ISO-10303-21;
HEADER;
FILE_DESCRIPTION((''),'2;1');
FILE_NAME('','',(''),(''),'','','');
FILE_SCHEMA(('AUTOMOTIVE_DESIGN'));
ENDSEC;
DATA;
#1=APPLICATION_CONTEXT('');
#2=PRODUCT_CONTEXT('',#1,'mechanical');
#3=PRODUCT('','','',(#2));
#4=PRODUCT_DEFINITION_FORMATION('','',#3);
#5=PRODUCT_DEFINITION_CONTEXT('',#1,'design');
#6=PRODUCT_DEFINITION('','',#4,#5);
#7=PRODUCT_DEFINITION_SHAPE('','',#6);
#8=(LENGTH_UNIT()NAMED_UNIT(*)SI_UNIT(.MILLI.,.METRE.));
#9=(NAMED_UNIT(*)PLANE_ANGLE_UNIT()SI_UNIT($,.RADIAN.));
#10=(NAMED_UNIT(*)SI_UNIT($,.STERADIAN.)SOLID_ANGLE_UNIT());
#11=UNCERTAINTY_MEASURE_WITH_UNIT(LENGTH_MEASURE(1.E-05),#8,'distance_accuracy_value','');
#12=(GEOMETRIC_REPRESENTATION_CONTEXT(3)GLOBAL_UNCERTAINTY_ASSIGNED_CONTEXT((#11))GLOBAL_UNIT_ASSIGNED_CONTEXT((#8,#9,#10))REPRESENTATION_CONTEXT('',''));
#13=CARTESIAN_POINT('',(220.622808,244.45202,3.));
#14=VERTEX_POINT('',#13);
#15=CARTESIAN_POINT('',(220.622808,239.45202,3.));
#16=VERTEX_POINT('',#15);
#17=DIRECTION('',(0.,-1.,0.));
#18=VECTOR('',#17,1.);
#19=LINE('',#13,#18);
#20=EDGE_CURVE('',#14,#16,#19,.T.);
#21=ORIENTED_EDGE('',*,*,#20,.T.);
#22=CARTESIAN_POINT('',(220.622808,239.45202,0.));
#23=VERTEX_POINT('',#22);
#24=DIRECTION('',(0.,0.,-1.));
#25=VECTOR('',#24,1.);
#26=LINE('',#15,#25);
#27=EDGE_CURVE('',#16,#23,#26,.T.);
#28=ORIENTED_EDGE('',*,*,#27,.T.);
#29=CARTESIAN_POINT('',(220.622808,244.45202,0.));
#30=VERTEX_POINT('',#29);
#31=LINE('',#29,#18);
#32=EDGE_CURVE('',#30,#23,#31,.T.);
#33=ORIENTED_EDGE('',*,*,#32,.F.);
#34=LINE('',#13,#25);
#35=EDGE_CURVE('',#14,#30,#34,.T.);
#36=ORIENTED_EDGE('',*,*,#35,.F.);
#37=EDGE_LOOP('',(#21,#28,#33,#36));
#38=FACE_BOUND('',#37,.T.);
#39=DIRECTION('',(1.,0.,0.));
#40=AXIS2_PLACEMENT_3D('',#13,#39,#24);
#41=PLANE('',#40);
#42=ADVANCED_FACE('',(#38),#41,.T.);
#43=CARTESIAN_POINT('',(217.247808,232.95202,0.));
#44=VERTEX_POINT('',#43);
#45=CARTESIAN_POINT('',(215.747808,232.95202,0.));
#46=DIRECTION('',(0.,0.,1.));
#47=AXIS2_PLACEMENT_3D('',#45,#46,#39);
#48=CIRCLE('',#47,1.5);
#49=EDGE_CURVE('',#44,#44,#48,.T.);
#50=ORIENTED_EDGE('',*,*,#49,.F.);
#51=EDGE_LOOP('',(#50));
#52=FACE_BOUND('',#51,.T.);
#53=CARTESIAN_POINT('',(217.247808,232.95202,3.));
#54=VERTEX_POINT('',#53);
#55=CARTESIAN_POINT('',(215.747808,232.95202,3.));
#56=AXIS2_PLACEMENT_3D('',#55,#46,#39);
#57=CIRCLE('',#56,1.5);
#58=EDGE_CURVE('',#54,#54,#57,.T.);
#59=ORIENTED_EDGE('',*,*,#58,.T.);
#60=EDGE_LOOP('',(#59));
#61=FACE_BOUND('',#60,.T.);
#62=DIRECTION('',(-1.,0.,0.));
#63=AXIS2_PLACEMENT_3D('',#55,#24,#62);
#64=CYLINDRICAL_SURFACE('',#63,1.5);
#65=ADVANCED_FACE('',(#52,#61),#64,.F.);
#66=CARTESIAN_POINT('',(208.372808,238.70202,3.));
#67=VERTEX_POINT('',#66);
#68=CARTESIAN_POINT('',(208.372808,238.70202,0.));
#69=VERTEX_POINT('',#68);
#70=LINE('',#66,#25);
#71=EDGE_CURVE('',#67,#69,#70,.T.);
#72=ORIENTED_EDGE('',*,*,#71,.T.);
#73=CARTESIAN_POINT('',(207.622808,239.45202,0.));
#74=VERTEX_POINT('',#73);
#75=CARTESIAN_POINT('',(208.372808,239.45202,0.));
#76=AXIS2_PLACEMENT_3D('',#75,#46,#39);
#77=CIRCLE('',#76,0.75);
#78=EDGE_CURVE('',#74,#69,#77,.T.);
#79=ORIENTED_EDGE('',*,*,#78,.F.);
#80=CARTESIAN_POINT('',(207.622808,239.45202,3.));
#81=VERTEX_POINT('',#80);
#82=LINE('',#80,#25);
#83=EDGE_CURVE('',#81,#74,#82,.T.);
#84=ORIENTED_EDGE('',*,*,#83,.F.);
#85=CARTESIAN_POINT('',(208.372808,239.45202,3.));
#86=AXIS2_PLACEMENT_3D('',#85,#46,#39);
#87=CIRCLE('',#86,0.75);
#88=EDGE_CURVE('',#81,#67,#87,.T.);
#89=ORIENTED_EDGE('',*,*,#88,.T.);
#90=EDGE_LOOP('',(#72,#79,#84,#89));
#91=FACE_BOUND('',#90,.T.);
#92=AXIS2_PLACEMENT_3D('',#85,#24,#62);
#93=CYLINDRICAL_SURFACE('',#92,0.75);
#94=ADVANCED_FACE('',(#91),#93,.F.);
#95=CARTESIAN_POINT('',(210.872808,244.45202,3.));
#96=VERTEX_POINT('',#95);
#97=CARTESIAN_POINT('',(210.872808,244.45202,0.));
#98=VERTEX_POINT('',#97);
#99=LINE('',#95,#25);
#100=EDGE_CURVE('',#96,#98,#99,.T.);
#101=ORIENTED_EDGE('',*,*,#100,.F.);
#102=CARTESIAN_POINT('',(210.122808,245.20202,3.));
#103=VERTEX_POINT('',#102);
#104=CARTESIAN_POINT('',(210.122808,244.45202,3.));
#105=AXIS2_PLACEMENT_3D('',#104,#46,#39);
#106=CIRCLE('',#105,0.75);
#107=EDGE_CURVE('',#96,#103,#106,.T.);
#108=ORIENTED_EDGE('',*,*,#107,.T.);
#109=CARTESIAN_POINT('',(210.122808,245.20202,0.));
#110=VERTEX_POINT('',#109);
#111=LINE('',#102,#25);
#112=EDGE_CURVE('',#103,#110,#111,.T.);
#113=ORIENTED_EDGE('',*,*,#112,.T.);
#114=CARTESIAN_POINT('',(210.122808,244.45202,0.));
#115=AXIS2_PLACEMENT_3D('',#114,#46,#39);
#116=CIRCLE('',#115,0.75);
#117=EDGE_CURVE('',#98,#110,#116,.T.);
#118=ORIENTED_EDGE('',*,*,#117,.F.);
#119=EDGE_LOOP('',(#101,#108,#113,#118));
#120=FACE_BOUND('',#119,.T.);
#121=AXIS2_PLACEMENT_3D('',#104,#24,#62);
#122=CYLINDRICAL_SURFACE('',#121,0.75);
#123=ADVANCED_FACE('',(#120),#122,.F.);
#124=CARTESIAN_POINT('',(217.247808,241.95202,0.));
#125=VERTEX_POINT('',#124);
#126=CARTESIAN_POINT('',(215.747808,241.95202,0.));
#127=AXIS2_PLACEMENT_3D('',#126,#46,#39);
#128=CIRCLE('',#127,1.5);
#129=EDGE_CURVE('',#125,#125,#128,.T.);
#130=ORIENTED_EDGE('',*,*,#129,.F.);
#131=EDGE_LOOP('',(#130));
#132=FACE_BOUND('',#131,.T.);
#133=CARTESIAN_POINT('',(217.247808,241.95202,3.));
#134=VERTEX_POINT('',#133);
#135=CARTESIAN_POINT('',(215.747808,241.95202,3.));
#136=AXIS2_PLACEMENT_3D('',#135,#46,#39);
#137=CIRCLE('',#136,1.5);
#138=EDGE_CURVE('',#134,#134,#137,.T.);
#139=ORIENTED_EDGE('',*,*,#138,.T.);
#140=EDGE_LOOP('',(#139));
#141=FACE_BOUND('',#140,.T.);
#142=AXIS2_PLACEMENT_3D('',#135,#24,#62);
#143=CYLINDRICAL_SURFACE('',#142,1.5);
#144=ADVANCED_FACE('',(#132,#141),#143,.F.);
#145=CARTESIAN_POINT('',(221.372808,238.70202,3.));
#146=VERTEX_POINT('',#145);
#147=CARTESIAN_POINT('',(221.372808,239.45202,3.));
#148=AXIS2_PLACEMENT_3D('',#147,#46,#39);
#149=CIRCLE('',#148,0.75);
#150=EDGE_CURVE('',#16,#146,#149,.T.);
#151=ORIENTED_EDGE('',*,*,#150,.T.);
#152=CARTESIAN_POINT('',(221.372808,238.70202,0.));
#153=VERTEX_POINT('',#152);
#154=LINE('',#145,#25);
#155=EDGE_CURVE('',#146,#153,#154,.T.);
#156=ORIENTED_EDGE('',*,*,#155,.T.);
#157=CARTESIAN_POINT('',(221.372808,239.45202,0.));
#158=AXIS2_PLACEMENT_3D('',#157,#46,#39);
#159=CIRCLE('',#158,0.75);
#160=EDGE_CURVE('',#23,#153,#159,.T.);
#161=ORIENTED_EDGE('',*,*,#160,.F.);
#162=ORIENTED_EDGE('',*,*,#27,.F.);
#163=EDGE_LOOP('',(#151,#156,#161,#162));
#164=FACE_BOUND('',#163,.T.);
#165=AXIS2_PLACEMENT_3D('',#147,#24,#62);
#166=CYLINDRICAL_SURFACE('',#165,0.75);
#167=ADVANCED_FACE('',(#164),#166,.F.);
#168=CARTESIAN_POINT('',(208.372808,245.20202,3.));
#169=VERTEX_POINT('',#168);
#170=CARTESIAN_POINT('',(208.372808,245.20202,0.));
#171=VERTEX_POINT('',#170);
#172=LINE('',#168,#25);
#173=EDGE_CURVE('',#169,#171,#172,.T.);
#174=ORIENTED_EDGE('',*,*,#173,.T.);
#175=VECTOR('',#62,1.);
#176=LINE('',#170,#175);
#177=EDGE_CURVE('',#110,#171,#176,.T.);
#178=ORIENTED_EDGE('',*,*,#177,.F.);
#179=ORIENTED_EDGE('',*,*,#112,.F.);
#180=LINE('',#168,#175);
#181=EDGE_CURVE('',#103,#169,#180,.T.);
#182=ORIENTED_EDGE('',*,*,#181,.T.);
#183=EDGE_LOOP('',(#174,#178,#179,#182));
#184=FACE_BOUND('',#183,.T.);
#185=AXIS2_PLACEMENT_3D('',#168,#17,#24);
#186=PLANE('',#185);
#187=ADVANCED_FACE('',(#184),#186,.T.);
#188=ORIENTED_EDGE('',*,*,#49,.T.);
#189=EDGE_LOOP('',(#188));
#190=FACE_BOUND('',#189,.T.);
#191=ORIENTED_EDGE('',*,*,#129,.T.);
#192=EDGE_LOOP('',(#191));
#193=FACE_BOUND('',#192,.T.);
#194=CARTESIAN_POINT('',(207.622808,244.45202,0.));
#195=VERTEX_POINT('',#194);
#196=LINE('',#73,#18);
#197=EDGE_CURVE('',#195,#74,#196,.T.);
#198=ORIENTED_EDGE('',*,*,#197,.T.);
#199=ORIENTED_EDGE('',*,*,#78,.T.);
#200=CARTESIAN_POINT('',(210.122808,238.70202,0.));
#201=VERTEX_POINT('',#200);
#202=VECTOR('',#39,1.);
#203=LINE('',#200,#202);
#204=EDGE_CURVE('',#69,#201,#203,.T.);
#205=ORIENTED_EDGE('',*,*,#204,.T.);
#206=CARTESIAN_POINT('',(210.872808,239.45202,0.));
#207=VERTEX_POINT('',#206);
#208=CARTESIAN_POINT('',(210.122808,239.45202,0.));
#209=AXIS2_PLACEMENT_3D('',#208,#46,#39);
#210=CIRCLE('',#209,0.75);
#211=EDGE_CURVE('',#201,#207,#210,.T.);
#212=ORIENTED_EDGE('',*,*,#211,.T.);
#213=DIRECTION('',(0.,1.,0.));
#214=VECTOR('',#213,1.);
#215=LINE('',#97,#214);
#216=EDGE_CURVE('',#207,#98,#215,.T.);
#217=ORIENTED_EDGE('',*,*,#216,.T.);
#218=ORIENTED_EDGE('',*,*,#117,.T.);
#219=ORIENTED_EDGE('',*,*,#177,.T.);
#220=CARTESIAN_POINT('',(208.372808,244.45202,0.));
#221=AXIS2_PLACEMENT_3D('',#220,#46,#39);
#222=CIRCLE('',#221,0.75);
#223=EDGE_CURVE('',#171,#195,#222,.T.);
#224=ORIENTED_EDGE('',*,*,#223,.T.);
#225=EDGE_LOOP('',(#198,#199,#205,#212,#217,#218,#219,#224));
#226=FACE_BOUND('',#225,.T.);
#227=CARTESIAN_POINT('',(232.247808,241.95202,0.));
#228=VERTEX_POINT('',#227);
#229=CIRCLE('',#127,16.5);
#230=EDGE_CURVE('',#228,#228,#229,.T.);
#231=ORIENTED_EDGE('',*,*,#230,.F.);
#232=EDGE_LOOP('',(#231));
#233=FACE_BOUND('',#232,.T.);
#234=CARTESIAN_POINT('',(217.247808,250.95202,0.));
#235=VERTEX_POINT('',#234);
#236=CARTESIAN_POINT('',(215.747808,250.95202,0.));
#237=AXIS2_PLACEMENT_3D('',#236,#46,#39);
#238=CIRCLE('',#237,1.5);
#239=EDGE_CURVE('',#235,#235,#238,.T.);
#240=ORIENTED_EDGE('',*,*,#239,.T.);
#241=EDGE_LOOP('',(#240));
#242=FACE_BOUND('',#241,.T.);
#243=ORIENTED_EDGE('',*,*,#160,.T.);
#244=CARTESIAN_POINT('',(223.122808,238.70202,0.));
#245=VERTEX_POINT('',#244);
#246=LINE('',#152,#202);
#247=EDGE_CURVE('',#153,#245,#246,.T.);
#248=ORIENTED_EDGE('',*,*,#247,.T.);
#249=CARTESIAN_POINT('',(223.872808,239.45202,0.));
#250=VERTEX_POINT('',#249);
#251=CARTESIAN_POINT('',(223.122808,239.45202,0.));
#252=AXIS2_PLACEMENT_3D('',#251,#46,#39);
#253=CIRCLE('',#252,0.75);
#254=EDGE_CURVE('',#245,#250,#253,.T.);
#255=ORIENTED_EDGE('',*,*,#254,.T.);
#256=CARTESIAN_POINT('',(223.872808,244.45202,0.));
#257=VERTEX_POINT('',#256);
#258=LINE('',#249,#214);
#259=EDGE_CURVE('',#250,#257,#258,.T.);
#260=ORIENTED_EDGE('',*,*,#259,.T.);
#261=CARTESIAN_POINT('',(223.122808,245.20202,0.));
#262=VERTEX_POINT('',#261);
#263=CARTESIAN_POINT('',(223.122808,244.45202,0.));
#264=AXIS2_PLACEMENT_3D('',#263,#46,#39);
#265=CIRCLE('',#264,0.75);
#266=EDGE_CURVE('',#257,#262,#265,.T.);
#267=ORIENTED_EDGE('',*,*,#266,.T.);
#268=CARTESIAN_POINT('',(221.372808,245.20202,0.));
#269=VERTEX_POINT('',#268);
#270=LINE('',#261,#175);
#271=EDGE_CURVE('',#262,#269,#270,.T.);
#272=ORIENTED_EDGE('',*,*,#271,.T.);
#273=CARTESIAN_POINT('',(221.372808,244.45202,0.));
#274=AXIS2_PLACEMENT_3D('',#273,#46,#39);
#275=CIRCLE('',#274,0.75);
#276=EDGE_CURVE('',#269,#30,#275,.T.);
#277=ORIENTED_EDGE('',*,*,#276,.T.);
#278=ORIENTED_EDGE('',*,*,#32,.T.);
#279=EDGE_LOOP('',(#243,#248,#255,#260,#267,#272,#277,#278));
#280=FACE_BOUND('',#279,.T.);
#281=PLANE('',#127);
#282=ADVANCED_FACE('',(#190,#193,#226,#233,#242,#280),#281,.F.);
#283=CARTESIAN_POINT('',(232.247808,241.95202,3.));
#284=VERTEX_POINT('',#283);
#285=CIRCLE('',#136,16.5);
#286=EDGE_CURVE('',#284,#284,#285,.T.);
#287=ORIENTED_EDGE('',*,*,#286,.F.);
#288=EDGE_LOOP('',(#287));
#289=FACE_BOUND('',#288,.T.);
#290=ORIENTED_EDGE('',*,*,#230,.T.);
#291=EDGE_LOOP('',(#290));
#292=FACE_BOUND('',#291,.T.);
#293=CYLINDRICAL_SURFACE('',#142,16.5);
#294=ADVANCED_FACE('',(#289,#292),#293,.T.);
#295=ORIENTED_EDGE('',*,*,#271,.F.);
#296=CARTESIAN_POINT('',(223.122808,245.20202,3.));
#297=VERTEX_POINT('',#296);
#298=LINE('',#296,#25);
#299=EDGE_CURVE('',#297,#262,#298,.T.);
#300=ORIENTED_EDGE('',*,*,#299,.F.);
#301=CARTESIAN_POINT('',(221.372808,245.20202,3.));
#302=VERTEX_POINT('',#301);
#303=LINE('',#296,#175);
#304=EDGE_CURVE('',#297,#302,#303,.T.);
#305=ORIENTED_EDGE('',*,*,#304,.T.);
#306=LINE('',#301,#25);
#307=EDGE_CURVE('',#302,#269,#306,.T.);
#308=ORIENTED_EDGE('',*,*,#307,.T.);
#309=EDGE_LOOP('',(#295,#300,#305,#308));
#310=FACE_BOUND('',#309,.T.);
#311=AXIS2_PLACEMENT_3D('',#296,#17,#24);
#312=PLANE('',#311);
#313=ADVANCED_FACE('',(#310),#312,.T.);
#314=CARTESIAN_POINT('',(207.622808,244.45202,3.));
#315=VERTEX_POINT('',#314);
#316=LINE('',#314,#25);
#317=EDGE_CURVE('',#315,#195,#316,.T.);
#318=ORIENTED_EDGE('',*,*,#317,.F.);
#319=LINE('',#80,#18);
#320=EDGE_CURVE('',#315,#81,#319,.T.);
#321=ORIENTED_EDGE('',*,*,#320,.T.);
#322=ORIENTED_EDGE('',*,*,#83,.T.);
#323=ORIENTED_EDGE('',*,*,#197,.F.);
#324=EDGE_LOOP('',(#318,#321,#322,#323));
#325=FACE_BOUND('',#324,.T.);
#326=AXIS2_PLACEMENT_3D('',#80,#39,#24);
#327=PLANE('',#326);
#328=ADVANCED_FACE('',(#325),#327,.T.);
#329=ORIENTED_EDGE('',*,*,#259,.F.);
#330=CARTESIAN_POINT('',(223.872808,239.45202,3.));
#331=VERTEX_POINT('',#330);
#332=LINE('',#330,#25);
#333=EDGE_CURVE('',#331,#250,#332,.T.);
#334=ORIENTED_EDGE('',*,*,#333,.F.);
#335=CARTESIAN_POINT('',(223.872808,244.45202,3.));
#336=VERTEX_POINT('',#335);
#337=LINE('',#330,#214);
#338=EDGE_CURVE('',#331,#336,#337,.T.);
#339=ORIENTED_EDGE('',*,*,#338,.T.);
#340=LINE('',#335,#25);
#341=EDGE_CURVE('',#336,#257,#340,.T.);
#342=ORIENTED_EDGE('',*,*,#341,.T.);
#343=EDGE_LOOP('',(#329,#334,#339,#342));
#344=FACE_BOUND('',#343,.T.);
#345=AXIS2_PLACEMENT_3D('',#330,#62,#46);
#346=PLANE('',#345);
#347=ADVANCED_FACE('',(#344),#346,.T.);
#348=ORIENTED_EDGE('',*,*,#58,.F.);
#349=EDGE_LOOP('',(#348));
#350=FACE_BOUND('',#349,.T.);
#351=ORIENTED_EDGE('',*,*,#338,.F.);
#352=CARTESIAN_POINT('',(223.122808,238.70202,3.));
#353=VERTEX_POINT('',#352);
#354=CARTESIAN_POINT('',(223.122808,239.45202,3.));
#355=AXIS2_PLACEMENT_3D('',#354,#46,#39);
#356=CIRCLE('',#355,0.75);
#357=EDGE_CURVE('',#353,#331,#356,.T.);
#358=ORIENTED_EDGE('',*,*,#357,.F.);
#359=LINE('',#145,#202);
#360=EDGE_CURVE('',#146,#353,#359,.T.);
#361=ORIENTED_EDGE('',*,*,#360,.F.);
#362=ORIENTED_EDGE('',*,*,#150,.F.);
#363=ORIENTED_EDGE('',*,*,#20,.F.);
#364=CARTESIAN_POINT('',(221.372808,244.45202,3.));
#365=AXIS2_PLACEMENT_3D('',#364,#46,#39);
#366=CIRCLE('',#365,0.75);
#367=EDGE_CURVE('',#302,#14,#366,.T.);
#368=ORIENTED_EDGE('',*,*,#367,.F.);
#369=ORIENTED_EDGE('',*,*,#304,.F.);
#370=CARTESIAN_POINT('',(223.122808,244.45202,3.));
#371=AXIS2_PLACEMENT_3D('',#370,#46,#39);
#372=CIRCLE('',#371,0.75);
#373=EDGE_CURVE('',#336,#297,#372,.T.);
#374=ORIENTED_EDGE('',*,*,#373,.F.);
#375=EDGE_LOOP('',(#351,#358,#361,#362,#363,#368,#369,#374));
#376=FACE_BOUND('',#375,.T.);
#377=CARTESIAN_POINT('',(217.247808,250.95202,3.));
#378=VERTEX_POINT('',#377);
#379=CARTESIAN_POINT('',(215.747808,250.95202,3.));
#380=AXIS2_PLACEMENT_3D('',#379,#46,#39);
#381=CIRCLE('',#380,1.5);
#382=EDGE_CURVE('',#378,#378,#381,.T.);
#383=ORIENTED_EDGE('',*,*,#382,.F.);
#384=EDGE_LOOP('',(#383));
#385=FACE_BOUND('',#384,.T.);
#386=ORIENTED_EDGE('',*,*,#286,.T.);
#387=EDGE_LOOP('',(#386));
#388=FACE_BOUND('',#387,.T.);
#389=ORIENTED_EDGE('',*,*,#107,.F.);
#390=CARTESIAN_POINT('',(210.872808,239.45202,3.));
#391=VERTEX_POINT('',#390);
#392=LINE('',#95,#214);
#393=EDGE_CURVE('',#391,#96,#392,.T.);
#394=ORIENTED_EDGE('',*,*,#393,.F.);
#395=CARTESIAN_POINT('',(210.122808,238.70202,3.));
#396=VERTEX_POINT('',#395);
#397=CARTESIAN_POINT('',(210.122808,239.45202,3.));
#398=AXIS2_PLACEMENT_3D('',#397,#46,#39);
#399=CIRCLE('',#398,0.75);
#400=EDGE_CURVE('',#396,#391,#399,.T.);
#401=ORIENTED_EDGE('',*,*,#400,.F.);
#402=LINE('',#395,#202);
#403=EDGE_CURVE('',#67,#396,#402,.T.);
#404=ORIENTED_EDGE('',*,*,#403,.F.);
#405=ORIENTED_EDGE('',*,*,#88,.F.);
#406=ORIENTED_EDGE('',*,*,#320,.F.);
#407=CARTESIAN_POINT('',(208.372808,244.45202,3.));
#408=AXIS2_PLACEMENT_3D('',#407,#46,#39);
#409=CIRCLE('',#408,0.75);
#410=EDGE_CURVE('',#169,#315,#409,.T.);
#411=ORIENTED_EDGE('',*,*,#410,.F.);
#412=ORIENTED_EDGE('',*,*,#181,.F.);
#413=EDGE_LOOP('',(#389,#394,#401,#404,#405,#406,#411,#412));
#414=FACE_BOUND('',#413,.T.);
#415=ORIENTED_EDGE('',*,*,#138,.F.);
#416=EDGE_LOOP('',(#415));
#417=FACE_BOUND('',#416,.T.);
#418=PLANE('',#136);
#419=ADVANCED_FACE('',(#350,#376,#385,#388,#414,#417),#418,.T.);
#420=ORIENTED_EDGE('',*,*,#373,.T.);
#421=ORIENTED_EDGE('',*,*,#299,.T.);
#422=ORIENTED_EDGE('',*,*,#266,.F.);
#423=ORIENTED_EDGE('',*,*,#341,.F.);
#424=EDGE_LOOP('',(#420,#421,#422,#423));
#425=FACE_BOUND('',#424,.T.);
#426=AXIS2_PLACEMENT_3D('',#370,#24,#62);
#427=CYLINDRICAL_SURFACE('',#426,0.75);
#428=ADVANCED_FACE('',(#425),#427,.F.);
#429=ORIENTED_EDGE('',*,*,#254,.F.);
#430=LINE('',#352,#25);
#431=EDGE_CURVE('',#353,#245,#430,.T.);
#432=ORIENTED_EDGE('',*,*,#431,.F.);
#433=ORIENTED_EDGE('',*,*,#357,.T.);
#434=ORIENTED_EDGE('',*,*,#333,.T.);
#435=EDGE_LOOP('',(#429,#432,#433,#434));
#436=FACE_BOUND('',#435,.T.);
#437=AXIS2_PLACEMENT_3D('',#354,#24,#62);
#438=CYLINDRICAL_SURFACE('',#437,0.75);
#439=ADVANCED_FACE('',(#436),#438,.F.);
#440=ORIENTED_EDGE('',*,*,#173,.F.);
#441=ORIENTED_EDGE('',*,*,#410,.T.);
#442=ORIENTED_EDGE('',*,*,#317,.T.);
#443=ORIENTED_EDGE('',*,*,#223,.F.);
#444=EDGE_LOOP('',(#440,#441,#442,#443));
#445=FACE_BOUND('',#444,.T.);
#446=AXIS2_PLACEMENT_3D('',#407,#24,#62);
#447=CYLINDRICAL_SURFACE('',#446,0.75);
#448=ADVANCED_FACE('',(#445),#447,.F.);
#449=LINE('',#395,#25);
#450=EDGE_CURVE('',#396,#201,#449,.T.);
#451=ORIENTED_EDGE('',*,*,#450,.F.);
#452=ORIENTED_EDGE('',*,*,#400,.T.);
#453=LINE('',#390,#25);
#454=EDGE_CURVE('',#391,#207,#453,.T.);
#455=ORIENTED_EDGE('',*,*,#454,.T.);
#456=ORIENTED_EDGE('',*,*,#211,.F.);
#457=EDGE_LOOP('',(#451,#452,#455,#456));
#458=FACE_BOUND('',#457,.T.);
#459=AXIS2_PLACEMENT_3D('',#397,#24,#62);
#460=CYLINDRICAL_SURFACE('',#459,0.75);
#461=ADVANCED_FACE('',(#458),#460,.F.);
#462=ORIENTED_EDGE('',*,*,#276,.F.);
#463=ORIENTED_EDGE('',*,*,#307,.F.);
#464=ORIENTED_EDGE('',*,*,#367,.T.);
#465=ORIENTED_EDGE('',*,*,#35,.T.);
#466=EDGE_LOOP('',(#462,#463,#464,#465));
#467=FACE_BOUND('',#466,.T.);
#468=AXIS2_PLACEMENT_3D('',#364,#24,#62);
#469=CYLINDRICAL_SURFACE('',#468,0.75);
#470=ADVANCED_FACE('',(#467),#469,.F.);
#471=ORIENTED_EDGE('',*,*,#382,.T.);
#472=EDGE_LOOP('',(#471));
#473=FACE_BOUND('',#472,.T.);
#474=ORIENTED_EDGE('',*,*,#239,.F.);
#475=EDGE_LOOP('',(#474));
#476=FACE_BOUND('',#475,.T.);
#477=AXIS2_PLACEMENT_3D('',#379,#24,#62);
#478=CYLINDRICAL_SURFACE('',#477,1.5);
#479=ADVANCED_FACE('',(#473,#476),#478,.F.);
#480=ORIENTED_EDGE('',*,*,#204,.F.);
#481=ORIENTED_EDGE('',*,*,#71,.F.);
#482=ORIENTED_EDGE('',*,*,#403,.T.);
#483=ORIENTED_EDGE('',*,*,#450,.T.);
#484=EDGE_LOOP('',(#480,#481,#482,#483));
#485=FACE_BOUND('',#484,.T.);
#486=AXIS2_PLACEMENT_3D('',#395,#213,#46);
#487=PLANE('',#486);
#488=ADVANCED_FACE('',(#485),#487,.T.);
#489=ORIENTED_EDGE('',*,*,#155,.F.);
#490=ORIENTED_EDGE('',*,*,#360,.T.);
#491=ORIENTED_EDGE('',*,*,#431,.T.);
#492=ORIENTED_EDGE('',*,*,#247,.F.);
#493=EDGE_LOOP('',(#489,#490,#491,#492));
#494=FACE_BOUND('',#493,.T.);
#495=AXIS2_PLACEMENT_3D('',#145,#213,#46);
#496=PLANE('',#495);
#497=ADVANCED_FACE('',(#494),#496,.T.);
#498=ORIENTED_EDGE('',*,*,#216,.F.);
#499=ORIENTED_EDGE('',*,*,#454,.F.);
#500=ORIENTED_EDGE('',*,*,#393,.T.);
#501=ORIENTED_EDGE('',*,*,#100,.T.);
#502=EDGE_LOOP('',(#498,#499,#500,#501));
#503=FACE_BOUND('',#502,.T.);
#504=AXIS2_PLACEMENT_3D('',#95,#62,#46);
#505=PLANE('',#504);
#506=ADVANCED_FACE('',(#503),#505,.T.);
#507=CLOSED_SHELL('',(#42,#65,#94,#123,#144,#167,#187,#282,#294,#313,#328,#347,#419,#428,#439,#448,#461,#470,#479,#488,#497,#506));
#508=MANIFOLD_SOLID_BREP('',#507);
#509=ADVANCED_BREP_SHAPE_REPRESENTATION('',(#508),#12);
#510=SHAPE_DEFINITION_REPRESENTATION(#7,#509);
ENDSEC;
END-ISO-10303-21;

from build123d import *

# Parameters (mm, degrees)
MODEL_R                 = 16.5
MODEL_R_2               = 1.5
SALIENTE_EXTRUIR1_DEPTH = 3


with BuildPart() as part:
    # Model → Saliente-Extruir1 (new body)
    with BuildSketch(Plane.XY):
        with Locations((215.747807914, 241.952019993)):
            Circle(MODEL_R)
        with Locations((215.747807914, 241.952019993)):
            Circle(MODEL_R_2, mode=Mode.SUBTRACT)
        with Locations((215.747807914, 232.952019993)):
            Circle(MODEL_R_2, mode=Mode.SUBTRACT)
        with Locations((215.747807914, 250.952019993)):
            Circle(MODEL_R_2, mode=Mode.SUBTRACT)
        with BuildLine():
            Line((223.122807913, 245.202019993), (221.372807913, 245.202019993))
            ThreePointArc((221.372807913, 245.202019993), (220.842477828, 244.982350079), (220.622807913, 244.452019993))
            Line((220.622807913, 244.452019993), (220.622807913, 239.452019993))
            ThreePointArc((220.622807913, 239.452019993), (220.842477828, 238.921689907), (221.372807913, 238.702019993))
            Line((221.372807913, 238.702019993), (223.122807913, 238.702019993))
            ThreePointArc((223.122807913, 238.702019993), (223.653137999, 238.921689907), (223.872807913, 239.452019993))
            Line((223.872807913, 239.452019993), (223.872807913, 244.452019993))
            ThreePointArc((223.872807913, 244.452019993), (223.653137999, 244.982350079), (223.122807913, 245.202019993))
        make_face(mode=Mode.SUBTRACT)
        with BuildLine():
            Line((208.372807913, 245.202019993), (210.122807913, 245.202019993))
            ThreePointArc((210.122807913, 245.202019993), (210.653137999, 244.982350079), (210.872807913, 244.452019993))
            Line((210.872807913, 244.452019993), (210.872807913, 239.452019993))
            ThreePointArc((210.872807913, 239.452019993), (210.653137999, 238.921689907), (210.122807913, 238.702019993))
            Line((210.122807913, 238.702019993), (208.372807913, 238.702019993))
            ThreePointArc((208.372807913, 238.702019993), (207.842477828, 238.921689907), (207.622807913, 239.452019993))
            Line((207.622807913, 239.452019993), (207.622807913, 244.452019993))
            ThreePointArc((207.622807913, 244.452019993), (207.842477828, 244.982350079), (208.372807913, 245.202019993))
        make_face(mode=Mode.SUBTRACT)
    extrude(amount=SALIENTE_EXTRUIR1_DEPTH)


solid = part.part
